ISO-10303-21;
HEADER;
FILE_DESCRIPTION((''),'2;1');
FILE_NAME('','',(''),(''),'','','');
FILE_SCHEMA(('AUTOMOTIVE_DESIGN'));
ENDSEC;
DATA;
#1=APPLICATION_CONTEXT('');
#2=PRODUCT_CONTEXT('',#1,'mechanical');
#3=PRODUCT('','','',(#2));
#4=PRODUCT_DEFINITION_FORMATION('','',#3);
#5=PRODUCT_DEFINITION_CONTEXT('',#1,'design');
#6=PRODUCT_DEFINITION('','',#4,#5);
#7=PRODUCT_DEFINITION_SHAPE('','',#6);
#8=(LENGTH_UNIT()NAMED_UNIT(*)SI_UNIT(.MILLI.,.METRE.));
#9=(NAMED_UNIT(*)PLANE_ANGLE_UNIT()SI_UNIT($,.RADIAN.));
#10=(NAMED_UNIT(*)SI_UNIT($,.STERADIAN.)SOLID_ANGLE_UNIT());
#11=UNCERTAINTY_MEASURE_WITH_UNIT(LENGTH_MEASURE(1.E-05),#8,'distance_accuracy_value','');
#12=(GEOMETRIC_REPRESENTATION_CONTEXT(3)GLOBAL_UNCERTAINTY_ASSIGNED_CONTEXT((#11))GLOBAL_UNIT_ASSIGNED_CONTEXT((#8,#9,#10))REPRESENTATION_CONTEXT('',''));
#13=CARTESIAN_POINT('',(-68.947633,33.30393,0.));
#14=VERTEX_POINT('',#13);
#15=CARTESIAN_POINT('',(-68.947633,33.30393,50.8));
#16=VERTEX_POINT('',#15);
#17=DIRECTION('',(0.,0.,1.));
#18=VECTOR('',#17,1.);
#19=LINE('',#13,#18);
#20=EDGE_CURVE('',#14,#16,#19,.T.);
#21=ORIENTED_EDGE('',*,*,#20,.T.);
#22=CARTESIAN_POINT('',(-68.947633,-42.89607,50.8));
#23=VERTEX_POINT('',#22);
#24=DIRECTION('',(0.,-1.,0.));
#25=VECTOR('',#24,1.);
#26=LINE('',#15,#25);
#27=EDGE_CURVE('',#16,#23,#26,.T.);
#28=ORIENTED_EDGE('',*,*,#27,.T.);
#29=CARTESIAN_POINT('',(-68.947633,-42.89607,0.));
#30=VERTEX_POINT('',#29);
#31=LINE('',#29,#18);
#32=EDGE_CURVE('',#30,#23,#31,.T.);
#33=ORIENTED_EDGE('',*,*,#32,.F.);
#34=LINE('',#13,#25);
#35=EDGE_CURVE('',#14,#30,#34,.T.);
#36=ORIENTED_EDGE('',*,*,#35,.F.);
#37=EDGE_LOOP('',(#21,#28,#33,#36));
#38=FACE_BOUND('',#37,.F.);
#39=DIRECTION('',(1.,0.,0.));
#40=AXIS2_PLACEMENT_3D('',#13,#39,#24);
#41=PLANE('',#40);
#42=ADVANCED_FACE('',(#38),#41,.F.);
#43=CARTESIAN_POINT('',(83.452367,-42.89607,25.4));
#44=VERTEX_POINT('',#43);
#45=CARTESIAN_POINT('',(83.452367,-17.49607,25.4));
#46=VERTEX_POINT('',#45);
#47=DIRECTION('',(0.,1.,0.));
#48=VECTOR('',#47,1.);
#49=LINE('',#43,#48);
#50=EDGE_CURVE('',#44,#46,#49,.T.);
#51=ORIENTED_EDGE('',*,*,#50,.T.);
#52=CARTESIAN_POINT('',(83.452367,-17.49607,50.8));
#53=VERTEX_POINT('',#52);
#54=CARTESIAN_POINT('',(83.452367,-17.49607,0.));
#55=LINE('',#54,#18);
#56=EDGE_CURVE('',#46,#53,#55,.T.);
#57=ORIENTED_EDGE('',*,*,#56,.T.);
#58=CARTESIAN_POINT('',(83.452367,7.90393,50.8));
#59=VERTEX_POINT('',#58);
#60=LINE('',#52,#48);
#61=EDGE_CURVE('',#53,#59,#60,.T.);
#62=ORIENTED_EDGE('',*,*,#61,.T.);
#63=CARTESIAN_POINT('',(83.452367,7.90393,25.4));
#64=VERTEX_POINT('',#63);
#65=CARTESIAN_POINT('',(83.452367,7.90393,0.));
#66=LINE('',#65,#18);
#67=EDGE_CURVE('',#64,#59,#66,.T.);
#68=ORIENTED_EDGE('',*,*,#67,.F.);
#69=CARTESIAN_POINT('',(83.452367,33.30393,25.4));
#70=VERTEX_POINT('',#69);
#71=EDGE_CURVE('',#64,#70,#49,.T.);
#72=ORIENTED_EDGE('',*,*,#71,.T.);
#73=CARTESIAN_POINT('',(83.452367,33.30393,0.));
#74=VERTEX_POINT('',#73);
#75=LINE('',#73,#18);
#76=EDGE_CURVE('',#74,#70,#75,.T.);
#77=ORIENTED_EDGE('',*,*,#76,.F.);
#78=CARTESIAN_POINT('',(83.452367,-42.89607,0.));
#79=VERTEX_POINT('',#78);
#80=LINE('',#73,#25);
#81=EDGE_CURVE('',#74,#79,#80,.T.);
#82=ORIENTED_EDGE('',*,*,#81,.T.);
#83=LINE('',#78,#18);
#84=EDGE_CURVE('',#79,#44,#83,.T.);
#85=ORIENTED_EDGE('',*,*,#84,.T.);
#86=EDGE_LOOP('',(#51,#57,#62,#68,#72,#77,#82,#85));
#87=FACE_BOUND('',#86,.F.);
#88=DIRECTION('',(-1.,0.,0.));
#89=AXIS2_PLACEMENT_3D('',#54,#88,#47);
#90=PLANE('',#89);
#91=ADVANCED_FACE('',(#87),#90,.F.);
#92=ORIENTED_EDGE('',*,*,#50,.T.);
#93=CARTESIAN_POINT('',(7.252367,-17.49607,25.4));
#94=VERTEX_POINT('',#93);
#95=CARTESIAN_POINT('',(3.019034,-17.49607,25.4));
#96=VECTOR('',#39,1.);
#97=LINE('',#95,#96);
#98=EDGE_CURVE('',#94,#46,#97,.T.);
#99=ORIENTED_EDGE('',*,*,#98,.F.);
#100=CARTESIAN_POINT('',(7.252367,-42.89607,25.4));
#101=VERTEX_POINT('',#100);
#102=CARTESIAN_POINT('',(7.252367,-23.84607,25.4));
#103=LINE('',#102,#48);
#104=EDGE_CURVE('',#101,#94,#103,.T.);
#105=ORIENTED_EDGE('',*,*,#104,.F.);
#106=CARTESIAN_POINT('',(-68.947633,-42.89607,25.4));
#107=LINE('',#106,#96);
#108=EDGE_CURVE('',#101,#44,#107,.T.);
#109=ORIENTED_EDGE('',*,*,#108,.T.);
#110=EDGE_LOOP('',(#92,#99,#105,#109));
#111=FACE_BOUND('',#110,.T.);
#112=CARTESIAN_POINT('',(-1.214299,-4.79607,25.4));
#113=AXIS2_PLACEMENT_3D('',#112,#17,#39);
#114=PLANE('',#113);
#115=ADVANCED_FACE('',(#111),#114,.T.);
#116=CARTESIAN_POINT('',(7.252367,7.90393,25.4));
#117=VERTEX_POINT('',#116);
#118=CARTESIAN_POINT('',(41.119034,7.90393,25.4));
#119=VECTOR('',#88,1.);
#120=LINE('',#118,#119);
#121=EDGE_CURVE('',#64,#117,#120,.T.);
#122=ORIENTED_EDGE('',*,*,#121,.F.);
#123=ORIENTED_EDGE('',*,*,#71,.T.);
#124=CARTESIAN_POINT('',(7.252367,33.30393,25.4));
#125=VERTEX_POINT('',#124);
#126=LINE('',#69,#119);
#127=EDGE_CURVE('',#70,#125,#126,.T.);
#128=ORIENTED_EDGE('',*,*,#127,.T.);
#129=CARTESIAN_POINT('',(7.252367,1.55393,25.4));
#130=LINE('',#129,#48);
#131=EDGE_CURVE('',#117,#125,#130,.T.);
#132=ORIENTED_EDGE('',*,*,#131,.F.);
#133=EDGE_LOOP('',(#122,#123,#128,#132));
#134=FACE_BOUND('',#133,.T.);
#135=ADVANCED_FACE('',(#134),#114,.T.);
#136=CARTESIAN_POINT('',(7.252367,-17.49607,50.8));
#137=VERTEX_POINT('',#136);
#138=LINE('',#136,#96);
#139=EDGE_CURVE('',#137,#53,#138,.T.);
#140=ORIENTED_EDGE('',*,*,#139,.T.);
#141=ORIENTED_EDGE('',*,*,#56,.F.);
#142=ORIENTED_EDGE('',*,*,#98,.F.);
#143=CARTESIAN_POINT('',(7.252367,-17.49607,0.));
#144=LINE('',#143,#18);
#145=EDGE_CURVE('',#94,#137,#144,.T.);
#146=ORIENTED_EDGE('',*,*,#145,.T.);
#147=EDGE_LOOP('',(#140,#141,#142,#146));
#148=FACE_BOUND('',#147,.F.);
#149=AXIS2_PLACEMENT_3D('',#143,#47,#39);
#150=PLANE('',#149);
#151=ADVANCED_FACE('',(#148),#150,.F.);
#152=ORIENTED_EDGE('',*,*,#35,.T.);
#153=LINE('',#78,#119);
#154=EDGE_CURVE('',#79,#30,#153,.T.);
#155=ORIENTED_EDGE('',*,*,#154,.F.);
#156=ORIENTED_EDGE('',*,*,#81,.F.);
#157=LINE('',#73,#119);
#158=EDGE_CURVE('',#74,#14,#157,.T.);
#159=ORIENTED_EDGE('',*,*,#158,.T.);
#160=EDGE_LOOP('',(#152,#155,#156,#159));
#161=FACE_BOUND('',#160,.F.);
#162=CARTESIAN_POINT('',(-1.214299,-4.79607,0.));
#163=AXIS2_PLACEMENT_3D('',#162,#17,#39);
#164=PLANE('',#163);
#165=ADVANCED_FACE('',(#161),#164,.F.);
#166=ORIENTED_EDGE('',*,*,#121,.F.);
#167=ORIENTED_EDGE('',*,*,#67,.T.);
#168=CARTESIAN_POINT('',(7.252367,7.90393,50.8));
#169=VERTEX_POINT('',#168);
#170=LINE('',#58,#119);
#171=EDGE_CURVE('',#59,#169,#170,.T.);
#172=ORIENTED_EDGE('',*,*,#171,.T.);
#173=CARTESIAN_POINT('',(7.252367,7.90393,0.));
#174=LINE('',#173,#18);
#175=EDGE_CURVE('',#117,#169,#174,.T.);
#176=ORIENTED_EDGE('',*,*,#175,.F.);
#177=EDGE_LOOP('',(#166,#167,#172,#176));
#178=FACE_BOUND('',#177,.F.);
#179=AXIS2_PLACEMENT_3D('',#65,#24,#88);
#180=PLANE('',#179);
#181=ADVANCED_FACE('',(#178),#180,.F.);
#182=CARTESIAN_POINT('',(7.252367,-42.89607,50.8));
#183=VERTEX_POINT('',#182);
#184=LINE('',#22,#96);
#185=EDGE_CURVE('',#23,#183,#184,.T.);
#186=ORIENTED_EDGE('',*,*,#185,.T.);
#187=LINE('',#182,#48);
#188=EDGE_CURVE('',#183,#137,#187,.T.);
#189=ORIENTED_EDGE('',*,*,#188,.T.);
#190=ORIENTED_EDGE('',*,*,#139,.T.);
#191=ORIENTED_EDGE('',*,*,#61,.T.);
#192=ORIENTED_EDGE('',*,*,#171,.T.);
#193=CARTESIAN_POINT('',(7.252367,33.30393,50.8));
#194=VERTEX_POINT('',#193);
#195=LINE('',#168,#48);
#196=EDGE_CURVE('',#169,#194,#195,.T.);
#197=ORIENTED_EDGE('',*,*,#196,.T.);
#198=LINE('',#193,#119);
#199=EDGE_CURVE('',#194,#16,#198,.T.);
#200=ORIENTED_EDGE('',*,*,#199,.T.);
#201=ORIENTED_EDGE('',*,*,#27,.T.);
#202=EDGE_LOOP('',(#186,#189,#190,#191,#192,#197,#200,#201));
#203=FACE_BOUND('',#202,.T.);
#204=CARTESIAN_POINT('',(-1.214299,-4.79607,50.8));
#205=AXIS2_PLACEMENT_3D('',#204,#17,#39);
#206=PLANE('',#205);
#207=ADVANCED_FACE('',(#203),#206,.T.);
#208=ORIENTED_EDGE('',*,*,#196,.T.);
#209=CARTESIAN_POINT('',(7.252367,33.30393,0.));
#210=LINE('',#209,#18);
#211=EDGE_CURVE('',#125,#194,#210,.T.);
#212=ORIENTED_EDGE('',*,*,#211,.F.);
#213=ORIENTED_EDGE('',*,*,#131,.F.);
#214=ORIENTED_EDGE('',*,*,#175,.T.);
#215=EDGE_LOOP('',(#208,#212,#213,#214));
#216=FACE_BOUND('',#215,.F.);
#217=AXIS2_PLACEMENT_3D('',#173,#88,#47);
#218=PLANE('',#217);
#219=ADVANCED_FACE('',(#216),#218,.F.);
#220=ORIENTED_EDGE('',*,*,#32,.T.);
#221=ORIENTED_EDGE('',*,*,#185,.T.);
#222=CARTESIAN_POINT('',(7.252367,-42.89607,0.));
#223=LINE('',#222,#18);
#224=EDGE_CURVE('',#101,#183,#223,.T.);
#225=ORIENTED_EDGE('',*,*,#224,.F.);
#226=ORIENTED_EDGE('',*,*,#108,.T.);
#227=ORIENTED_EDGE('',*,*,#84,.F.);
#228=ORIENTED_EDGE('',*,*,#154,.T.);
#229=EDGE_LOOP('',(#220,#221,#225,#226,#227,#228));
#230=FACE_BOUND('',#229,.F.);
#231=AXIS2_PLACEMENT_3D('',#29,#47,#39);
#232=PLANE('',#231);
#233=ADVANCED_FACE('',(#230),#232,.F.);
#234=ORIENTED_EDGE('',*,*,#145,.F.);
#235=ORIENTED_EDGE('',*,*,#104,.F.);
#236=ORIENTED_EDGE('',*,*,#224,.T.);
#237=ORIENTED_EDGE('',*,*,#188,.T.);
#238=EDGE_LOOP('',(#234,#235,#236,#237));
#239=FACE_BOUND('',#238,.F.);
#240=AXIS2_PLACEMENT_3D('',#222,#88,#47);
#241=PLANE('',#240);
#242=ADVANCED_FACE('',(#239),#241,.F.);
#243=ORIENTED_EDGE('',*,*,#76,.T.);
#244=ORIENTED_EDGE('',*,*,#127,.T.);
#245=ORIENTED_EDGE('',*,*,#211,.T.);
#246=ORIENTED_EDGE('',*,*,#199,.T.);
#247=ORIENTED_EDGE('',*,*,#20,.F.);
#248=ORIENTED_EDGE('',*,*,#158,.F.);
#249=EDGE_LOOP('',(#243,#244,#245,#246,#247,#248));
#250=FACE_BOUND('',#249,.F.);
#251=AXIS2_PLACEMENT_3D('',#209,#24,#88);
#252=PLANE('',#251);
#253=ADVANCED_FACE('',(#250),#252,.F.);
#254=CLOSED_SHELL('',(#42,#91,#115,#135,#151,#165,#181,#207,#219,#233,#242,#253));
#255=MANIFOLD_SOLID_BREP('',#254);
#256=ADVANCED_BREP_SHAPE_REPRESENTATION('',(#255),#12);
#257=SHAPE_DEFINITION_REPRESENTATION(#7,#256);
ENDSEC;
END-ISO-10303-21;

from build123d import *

# Parameters (mm, degrees)
F1_DEPTH = 50.8
F0_W     = 76.2
F0_H     = 25.4
F2_DEPTH = 25.4


with BuildPart() as f1:
    # F0 (on Top) → F1 (new body)
    with BuildSketch(Plane.XY):
        Polygon((7.2523672134, 33.3039297216), (-68.9476327866, 33.3039297216), (-68.9476327866, -42.8960702784), (7.2523672134, -42.8960702784), (7.2523672134, -17.4960702784), (83.4523672134, -17.4960702784), (83.4523672134, 7.9039297216), (7.2523672134, 7.9039297216), align=None)
    extrude(amount=F1_DEPTH)

    # F0 (on Top) → F2 (join)
    with BuildSketch(Plane.XY):
        Polygon((7.2523672134, 33.3039297216), (-68.9476327866, 33.3039297216), (-68.9476327866, -42.8960702784), (7.2523672134, -42.8960702784), (7.2523672134, -17.4960702784), (83.4523672134, -17.4960702784), (83.4523672134, 7.9039297216), (7.2523672134, 7.9039297216), align=None)
        with Locations((45.3523672134, 20.6039297216)):
            Rectangle(F0_W, F0_H)
        with Locations((45.3523672134, -30.1960702784)):
            Rectangle(F0_W, F0_H)
    extrude(amount=F2_DEPTH)


solid = f1.part
